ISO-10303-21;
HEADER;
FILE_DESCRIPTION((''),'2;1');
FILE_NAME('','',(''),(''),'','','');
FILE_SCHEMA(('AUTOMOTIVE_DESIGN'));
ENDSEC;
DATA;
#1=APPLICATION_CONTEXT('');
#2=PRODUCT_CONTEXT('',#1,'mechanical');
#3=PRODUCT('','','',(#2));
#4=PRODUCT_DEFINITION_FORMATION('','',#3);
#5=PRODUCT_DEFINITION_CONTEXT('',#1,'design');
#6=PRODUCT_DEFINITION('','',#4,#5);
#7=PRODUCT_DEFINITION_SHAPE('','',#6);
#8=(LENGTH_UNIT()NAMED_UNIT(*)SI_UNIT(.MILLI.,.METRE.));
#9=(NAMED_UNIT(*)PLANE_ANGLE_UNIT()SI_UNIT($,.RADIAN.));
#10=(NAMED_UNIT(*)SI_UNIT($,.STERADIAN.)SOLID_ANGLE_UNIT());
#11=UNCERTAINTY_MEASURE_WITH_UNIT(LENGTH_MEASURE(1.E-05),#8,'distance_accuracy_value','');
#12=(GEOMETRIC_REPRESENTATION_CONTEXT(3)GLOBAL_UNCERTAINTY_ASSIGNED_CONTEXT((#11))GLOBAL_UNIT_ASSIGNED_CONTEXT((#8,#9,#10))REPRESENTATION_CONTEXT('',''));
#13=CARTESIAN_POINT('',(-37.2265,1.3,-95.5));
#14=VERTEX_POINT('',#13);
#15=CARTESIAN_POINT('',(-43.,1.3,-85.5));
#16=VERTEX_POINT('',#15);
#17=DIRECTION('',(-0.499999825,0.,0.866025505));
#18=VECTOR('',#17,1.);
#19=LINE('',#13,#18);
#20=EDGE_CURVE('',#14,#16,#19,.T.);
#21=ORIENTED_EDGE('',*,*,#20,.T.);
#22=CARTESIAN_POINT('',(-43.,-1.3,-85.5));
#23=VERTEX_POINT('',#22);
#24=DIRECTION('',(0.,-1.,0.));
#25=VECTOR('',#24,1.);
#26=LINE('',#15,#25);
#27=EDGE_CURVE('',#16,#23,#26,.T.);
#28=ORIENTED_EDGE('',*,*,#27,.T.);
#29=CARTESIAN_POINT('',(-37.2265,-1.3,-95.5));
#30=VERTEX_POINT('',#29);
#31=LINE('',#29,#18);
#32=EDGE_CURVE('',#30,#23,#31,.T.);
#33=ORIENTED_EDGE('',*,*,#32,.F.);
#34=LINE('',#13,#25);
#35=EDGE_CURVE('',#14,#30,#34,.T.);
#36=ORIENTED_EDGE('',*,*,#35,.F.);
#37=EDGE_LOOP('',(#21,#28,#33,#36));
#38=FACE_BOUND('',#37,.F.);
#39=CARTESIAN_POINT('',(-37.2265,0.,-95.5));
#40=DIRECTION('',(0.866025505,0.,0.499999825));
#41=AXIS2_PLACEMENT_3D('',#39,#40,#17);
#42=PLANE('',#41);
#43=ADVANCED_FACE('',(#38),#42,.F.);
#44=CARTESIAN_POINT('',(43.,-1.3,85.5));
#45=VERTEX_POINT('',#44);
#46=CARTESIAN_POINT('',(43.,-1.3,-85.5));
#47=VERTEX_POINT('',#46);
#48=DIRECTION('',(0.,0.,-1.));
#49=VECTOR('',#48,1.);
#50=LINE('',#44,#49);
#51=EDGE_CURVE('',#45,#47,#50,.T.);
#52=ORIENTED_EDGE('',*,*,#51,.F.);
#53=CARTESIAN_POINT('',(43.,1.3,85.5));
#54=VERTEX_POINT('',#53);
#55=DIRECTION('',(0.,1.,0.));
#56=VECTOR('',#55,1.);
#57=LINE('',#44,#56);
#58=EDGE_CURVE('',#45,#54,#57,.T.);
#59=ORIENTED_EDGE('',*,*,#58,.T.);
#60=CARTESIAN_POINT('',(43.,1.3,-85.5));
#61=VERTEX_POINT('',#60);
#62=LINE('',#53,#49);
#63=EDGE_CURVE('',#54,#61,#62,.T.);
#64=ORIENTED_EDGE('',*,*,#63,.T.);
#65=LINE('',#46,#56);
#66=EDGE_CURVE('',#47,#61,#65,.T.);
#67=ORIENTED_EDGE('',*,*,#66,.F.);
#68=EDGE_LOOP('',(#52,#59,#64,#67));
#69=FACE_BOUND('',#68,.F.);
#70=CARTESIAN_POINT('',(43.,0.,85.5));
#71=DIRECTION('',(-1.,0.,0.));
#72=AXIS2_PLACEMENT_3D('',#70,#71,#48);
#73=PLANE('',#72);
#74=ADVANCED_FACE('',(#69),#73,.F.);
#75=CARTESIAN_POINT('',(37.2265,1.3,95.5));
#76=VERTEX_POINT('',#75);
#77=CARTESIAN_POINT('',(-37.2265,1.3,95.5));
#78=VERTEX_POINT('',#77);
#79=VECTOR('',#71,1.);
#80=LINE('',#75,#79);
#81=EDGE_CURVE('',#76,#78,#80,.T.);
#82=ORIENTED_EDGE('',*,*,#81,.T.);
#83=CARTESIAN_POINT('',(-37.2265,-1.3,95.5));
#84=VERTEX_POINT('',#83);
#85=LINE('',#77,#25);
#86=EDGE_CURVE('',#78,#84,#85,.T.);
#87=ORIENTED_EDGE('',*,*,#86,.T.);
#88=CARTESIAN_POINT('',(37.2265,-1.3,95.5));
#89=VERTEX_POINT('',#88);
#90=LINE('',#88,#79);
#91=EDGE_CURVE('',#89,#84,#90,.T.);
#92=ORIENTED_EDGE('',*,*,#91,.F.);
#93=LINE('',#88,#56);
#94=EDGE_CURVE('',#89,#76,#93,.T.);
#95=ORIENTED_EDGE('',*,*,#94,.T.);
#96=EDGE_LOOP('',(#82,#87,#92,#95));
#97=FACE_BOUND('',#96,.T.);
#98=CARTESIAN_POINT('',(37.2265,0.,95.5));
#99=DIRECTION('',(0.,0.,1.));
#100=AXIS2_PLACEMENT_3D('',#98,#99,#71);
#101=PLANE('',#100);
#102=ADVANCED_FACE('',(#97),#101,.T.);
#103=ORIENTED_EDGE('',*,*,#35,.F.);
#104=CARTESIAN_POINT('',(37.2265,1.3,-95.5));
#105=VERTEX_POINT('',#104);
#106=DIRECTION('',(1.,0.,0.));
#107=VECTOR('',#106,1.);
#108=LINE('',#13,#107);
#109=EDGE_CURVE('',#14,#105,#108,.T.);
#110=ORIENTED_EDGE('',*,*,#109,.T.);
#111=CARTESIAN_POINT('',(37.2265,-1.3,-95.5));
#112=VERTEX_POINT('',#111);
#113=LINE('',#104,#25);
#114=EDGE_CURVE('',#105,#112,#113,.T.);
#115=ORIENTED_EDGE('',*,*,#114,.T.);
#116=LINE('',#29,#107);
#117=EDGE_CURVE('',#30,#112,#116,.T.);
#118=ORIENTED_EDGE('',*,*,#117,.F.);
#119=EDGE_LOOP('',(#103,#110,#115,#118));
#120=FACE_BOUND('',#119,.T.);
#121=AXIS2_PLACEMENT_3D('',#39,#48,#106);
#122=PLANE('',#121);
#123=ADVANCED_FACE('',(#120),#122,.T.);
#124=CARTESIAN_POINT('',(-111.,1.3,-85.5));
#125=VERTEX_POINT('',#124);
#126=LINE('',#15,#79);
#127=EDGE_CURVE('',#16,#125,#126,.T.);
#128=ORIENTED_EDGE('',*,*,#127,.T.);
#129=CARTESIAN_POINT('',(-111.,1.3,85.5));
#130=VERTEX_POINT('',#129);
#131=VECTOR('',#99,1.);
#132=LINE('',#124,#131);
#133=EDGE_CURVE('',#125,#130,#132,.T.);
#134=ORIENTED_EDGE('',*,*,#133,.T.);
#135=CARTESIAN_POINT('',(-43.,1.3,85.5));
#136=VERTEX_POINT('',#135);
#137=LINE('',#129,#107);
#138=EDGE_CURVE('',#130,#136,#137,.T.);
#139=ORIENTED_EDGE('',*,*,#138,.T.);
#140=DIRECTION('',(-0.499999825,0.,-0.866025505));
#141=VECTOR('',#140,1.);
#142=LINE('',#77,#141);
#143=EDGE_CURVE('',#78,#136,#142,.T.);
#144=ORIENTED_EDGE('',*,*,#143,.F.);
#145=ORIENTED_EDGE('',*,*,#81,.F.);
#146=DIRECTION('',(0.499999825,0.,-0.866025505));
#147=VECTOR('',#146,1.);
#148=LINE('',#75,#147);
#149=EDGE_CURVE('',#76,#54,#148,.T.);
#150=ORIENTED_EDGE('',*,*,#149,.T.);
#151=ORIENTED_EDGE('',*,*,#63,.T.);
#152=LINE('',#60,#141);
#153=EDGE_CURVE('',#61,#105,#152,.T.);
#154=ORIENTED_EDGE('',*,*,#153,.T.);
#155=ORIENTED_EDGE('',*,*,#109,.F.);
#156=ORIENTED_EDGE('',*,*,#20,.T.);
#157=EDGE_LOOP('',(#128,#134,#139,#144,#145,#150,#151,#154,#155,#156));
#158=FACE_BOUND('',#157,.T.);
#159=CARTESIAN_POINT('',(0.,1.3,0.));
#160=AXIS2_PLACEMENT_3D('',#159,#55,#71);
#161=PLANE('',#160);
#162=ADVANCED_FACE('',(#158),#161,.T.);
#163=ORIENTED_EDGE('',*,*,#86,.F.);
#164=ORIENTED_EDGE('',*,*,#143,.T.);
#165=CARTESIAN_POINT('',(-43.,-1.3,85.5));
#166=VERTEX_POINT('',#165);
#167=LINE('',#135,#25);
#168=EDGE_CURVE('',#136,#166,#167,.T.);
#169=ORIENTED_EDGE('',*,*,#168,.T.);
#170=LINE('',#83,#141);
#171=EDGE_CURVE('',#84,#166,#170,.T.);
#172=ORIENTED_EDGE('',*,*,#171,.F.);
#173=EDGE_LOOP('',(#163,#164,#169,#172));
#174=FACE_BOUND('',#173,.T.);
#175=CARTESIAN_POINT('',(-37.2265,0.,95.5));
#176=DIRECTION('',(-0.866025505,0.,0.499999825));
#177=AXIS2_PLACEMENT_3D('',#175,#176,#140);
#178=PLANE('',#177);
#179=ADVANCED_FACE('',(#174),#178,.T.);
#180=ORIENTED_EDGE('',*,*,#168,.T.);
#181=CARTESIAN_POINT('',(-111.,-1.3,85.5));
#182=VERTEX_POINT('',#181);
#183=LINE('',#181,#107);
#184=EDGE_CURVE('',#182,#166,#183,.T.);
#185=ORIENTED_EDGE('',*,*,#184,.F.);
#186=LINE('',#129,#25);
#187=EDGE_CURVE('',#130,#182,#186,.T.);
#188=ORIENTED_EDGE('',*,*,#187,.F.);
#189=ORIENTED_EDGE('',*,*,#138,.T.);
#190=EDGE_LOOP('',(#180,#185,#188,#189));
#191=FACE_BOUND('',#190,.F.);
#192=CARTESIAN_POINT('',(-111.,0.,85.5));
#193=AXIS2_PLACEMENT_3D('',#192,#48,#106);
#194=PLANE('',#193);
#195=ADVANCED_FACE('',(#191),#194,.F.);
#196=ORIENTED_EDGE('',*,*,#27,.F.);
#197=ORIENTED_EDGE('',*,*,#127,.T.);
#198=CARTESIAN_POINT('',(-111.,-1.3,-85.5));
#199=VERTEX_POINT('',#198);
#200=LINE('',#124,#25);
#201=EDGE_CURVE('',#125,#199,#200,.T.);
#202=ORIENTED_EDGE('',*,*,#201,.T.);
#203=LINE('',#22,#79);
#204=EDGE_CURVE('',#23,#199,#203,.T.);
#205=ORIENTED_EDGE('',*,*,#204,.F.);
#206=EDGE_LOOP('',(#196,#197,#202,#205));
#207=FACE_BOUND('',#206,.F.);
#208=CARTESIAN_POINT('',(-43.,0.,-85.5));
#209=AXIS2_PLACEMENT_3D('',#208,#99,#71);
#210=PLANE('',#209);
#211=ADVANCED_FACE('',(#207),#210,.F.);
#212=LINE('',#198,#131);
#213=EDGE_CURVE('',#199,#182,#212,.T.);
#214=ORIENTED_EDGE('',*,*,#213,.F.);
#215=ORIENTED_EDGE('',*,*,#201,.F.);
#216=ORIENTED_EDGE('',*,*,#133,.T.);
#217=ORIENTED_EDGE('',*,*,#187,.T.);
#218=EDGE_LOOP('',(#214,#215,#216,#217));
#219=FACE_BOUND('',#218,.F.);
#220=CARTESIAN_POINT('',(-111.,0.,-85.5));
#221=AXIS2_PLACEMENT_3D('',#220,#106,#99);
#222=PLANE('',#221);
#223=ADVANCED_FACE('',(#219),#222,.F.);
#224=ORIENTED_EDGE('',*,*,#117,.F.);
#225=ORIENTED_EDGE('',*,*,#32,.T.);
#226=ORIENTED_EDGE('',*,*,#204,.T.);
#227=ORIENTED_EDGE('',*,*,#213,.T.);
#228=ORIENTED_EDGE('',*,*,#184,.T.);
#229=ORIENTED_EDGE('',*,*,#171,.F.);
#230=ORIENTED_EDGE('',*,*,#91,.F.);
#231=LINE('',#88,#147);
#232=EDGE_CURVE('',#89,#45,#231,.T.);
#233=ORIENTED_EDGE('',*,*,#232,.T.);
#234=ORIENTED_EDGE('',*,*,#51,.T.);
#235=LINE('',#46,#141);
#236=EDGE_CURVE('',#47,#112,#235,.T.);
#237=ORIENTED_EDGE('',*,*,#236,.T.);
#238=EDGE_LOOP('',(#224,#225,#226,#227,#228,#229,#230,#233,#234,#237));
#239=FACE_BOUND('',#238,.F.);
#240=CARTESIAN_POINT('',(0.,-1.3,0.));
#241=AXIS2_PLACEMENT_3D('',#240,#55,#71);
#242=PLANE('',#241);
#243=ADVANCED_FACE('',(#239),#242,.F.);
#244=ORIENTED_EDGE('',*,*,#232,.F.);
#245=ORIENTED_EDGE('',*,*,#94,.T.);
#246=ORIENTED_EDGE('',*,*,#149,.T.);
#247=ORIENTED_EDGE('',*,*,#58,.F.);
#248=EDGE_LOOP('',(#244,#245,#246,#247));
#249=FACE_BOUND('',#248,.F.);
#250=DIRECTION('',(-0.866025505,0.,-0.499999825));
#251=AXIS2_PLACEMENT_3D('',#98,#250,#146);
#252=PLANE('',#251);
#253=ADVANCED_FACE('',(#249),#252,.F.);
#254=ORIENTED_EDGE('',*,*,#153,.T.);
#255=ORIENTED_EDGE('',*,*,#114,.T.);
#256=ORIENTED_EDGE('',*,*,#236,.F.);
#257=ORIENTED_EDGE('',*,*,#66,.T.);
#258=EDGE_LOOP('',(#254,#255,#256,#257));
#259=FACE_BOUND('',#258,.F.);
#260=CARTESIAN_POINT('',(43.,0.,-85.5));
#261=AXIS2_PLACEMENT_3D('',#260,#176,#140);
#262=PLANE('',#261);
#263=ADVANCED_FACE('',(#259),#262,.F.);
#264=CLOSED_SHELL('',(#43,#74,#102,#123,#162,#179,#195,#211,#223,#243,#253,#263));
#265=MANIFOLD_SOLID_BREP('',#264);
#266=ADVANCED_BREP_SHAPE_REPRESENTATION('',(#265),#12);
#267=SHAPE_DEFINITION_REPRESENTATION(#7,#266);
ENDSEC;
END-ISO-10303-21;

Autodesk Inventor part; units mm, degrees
ref_plane "YZ Plane" through (0, 0, 0) normal (1, 0, 0) x (0, 1, 0)
ref_plane "XZ Plane" through (0, 0, 0) normal (0, 1, 0) x (-1, 0, 0)
ref_plane "XY Plane" through (0, 0, 0) normal (0, 0, 1) x (1, 0, 0)
sketch "Sketch1" plane through (0, 0, 0) normal (0, 1, 0) x (-1, 0, 0)
  line L0 (-37.2265, 95.5) -> (37.2265, 95.5)
  line L1 (37.2265, -95.5) -> (-37.2265, -95.5)
  line L2 (43, -85.5) -> (111, -85.5)
  line L3 (111, -85.5) -> (111, 85.5)
  line L4 (111, 85.5) -> (43, 85.5)
  line L5 (-37.2265, 95.5) -> (-43, 85.5)
  line L6 (-43, 85.5) -> (-43, -85.5)
  line L7 (-43, -85.5) -> (-37.2265, -95.5)
  line L8 (37.2265, -95.5) -> (43, -85.5)
  line L9 (37.2265, 95.5) -> (43, 85.5)
  point P0 (0, 0)
  point P1 (0, 0)
  point P2 (111, 0)
  dimension "d5" = 191
  dimension "d6" = 171
  dimension "d8" = 154
  dimension "d10" = 120
  dimension "d11" = 86
extrude "Extrusion1" add sketch "Sketch1" along normal mid plane 2.6
properties part number "PlayerLeaderslMats_All" material "Paper"
